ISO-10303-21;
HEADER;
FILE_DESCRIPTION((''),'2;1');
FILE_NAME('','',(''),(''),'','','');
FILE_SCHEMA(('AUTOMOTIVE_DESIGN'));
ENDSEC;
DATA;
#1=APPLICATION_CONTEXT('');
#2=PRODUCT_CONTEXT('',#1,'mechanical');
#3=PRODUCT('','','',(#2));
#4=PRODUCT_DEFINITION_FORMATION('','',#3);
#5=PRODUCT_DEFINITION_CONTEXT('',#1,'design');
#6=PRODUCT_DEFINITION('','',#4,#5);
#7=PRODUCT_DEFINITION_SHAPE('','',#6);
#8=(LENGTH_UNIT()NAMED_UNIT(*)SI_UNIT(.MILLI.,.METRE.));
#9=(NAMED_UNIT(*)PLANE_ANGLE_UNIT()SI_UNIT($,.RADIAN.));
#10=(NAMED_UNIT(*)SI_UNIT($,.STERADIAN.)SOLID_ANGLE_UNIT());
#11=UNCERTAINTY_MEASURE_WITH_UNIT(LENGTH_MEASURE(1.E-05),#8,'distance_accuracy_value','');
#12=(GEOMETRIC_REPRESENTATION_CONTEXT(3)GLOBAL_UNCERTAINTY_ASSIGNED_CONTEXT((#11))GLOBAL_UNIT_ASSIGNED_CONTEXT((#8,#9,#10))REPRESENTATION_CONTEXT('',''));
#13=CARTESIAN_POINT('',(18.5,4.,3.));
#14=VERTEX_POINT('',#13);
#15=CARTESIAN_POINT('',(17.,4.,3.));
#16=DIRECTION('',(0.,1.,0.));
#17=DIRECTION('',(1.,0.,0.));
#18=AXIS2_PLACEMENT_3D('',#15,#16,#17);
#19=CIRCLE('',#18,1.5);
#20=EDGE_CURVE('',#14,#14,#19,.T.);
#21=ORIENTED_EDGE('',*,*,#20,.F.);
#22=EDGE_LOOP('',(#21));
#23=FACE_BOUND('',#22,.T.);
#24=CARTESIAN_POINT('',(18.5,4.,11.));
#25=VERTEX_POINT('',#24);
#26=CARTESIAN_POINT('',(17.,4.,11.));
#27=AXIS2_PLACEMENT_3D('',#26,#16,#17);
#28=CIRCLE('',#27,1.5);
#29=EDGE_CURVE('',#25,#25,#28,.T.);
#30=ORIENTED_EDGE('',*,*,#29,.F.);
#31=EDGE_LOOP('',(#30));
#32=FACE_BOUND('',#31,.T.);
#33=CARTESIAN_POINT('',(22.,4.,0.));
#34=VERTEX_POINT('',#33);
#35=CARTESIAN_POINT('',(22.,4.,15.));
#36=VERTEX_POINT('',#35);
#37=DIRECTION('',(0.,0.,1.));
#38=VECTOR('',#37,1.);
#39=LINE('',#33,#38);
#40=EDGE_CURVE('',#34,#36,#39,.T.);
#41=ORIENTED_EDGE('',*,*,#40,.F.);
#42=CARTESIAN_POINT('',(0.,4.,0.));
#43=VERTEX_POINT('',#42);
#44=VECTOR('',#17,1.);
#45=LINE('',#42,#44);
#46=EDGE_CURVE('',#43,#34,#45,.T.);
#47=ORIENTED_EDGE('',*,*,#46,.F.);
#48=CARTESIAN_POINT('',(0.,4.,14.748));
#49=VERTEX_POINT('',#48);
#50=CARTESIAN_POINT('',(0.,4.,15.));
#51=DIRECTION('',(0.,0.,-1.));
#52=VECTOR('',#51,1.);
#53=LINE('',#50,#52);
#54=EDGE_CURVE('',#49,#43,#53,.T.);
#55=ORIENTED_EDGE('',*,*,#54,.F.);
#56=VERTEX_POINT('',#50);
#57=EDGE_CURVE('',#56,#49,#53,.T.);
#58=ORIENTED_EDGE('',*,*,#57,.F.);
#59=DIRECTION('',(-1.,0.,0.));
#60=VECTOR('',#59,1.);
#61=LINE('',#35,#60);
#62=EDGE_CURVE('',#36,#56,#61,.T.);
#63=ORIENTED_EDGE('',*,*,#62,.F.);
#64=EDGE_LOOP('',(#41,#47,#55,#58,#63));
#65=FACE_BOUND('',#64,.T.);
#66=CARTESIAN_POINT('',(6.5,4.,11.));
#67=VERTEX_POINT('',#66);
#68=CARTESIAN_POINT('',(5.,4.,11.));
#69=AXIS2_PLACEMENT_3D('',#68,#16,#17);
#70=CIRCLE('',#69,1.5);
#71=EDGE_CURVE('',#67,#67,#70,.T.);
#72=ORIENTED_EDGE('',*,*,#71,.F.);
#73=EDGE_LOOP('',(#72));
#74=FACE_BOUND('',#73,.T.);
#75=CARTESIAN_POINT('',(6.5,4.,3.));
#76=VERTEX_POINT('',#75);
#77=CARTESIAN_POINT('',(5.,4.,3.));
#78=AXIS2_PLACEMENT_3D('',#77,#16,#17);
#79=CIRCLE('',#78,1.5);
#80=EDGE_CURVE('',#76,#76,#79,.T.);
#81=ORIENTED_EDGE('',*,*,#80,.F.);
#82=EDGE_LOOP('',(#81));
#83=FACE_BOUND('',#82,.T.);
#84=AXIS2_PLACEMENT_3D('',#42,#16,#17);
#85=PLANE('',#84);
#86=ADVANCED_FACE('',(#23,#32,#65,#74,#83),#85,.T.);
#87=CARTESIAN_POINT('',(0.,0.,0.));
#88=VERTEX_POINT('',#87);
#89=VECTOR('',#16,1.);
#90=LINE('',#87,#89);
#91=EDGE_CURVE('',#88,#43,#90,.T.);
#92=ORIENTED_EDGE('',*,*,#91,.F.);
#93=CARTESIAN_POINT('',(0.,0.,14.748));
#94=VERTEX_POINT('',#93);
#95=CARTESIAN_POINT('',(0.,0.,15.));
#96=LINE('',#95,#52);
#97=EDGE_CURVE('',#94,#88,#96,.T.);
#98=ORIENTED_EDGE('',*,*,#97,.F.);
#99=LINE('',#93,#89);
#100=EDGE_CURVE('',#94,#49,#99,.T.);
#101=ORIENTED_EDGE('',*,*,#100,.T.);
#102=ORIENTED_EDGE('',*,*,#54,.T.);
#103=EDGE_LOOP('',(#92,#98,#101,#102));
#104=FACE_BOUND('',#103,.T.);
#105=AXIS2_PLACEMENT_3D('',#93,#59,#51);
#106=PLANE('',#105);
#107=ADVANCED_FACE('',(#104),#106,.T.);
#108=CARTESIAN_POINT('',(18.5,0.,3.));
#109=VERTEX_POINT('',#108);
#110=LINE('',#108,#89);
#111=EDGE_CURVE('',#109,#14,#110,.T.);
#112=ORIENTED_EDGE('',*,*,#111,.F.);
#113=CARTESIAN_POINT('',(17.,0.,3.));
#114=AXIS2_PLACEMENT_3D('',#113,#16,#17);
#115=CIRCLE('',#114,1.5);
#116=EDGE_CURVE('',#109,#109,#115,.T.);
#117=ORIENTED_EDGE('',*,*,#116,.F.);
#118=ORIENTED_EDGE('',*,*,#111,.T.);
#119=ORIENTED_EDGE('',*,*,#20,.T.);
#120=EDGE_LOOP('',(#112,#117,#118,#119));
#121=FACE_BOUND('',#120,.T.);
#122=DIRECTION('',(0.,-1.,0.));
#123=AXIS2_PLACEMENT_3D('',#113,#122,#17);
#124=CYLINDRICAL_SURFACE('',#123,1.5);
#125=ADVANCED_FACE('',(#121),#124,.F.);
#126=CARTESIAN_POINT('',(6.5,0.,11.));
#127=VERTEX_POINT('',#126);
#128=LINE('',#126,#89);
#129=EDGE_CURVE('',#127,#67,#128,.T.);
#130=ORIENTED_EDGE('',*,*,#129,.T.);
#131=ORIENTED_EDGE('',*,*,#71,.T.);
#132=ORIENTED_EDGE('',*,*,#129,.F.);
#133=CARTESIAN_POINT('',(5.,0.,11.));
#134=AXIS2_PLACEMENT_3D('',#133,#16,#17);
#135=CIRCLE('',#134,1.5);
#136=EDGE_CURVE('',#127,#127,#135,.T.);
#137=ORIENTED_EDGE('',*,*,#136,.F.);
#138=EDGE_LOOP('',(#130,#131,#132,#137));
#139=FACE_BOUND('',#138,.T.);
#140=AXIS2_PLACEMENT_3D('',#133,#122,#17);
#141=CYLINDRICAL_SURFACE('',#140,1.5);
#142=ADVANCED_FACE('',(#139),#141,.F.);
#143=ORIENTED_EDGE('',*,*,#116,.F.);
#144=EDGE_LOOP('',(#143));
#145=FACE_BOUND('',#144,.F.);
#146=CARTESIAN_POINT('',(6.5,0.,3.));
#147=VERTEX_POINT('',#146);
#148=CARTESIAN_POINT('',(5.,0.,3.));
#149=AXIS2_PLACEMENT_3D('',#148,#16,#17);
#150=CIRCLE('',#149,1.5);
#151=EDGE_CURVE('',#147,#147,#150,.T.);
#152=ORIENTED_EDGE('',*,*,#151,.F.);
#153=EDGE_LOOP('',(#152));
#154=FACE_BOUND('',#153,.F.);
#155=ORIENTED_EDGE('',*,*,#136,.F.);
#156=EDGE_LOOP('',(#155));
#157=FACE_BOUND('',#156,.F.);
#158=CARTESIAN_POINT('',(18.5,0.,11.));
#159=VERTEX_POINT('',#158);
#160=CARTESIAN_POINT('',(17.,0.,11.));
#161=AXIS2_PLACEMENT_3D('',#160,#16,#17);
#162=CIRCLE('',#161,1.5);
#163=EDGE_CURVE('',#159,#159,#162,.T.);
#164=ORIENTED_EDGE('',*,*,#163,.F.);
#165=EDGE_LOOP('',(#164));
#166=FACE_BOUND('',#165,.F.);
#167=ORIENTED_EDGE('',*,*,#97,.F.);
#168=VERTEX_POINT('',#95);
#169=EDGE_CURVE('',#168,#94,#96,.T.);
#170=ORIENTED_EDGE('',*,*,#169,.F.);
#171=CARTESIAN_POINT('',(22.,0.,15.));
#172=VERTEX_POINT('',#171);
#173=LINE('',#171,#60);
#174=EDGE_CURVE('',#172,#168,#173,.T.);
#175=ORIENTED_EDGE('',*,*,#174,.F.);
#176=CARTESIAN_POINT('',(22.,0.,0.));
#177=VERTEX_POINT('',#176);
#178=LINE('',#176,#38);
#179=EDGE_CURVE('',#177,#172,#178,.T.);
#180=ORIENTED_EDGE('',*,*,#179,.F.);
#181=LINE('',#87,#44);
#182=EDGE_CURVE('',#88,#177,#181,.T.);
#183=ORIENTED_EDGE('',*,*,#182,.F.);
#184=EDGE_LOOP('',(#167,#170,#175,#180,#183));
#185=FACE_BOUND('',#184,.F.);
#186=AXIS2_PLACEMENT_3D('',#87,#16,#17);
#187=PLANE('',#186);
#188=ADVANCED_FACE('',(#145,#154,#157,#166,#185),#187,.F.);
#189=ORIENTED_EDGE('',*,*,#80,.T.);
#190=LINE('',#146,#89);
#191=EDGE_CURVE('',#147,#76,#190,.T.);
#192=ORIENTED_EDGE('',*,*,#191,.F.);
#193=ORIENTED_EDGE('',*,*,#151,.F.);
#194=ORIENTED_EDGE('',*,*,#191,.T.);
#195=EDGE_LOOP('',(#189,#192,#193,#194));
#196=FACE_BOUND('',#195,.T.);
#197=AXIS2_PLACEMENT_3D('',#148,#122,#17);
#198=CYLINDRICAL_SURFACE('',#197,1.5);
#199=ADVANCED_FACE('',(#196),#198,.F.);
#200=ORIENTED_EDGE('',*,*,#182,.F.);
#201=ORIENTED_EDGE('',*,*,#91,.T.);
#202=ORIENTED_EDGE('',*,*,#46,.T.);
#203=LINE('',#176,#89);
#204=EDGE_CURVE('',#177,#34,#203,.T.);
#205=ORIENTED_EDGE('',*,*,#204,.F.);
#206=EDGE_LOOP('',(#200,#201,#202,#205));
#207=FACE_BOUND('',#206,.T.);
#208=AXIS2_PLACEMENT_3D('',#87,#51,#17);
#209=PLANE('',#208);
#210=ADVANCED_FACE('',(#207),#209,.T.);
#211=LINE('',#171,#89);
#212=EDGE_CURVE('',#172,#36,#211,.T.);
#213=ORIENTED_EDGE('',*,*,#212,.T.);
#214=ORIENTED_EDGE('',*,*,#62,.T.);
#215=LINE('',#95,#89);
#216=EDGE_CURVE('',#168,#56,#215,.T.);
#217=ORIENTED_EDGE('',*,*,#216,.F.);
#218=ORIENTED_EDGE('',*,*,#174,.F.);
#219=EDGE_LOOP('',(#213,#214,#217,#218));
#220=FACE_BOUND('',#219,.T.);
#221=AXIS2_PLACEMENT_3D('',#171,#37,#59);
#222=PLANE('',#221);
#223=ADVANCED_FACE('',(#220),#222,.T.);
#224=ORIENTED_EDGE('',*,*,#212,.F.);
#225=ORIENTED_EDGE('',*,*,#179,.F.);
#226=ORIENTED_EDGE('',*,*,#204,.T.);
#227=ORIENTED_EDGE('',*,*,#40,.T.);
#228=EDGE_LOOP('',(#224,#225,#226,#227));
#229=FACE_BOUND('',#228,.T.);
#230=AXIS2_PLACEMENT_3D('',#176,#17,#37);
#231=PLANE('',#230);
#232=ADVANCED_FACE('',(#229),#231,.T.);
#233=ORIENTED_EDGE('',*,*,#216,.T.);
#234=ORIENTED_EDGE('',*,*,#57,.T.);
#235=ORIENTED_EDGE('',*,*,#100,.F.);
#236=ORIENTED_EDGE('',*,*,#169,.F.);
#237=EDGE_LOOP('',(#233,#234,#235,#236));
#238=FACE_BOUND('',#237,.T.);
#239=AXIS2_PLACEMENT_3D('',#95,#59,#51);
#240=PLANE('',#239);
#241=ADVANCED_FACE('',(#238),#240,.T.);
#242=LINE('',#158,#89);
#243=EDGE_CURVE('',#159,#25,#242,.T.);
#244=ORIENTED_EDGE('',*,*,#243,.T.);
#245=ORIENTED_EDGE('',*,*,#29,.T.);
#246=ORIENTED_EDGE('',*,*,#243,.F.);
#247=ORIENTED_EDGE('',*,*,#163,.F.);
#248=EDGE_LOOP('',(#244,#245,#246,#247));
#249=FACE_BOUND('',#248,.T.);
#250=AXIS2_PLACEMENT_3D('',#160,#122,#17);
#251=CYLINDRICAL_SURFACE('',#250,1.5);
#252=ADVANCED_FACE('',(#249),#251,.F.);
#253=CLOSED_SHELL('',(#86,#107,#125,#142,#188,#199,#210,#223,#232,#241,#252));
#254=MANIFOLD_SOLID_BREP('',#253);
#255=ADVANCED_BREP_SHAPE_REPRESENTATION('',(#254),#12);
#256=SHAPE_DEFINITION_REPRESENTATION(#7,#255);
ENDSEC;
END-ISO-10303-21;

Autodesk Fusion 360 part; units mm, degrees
sketch "Sketch1" plane through (0, 0, 0) normal (0, 1, 0) x (1, 0, 0)
  line L0 (0, 0) -> (22, 0)
  line L1 (22, 0) -> (22, -15)
  line L2 (22, -15) -> (0, -15)
  line L3 (0, -15) -> (0, 0)
  circle A0 centre (17, -11) radius 1.5
  line L4 (0, -15) -> (0, -14.748)
  circle A1 centre (5, -3) radius 1.5
  circle A2 centre (17, -3) radius 1.5
  circle A3 centre (5, -11) radius 1.5
  dimension "d11" = 3
  dimension "d18" = 3
  dimension "d21" = 3
  dimension "d24" = 3
extrude "Extrude1" add sketch "Sketch1" along normal blind 4 makes body 1
copy_body "Body->Comp1" bodies 1 removing the originals makes body 2 in component "Component"
component "Component" placed x (1, 0, 0) y (0, 1, 0) z (0, 0, 1) at (0, 0, 0)
